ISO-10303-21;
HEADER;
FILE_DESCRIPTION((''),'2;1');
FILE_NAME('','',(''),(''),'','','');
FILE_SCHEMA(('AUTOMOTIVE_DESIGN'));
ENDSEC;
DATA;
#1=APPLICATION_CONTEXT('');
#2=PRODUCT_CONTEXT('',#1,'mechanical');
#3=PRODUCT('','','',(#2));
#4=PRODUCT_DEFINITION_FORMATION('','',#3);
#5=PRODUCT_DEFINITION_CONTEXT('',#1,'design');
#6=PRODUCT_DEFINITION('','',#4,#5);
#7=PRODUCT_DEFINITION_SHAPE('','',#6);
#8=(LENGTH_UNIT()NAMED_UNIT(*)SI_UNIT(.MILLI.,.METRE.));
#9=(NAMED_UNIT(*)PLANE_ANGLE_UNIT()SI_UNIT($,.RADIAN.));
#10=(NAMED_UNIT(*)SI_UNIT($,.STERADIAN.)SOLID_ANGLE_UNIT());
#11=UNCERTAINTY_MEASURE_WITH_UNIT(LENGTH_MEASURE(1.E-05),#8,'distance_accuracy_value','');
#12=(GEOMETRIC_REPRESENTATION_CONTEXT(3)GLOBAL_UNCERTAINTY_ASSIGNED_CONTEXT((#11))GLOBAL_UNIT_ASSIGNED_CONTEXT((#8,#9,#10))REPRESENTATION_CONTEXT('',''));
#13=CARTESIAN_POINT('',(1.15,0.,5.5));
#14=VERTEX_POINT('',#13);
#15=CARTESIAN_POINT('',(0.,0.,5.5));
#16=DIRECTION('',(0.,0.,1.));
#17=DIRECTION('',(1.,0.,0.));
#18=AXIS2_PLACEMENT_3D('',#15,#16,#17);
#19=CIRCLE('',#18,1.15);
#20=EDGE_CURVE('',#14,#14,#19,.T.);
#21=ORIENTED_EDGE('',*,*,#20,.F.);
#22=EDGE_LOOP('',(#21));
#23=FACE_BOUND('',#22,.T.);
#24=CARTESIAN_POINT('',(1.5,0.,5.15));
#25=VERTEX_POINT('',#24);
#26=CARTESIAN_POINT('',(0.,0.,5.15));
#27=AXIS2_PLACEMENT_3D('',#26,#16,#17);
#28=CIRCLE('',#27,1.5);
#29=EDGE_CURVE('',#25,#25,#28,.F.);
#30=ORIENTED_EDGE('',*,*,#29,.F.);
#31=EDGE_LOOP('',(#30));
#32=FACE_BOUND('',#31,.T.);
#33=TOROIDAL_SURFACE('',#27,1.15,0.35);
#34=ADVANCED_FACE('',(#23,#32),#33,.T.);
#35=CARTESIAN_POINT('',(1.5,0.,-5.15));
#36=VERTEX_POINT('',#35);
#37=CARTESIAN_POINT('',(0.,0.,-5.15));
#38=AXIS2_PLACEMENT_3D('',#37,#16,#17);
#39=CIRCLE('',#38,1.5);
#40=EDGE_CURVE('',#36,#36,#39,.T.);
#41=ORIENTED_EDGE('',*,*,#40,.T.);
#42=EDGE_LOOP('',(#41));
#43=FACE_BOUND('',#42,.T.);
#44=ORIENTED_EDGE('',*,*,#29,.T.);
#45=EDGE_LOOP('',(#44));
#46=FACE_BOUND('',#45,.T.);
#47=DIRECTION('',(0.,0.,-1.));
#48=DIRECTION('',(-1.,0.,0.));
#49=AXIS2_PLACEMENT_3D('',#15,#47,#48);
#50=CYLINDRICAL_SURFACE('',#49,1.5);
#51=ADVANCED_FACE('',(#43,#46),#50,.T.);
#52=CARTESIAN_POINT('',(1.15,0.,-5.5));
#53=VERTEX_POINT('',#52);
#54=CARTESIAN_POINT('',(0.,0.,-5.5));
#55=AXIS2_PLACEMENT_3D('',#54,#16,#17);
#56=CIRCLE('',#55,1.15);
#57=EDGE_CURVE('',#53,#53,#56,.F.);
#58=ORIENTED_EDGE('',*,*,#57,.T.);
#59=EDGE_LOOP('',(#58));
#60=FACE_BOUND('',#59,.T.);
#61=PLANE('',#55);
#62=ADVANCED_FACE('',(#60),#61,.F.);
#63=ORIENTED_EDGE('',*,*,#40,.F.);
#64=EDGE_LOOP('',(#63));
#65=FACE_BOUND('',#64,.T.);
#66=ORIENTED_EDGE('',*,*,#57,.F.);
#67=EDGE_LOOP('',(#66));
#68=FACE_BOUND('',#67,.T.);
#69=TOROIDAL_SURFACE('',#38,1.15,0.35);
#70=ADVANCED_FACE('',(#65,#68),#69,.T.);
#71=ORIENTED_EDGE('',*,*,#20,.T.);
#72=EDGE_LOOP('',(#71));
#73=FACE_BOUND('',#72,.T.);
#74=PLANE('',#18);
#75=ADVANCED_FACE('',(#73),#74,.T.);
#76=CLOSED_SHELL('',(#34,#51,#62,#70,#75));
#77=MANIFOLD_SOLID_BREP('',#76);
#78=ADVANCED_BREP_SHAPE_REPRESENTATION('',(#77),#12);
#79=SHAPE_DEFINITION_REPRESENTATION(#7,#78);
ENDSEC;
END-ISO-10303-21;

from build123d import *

# Parameters (mm, degrees)
SKETCH1_R           = 1.5
BOSS_EXTRUDE1_DEPTH = 5.5
FILLET1_R           = 0.35


with BuildPart() as part:
    # Sketch1 → Boss-Extrude1 (new body, symmetric)
    with BuildSketch(Plane.XY):
        Circle(SKETCH1_R)
    extrude(amount=BOSS_EXTRUDE1_DEPTH, both=True)

    # Fillet1
    fillet1_edges = [part.edges().sort_by_distance(p)[0] for p in [
        (-1.5, 0, -5.5),
        (-1.5, 0, 5.5),
    ]]
    fillet(fillet1_edges, radius=FILLET1_R)


solid = part.part
